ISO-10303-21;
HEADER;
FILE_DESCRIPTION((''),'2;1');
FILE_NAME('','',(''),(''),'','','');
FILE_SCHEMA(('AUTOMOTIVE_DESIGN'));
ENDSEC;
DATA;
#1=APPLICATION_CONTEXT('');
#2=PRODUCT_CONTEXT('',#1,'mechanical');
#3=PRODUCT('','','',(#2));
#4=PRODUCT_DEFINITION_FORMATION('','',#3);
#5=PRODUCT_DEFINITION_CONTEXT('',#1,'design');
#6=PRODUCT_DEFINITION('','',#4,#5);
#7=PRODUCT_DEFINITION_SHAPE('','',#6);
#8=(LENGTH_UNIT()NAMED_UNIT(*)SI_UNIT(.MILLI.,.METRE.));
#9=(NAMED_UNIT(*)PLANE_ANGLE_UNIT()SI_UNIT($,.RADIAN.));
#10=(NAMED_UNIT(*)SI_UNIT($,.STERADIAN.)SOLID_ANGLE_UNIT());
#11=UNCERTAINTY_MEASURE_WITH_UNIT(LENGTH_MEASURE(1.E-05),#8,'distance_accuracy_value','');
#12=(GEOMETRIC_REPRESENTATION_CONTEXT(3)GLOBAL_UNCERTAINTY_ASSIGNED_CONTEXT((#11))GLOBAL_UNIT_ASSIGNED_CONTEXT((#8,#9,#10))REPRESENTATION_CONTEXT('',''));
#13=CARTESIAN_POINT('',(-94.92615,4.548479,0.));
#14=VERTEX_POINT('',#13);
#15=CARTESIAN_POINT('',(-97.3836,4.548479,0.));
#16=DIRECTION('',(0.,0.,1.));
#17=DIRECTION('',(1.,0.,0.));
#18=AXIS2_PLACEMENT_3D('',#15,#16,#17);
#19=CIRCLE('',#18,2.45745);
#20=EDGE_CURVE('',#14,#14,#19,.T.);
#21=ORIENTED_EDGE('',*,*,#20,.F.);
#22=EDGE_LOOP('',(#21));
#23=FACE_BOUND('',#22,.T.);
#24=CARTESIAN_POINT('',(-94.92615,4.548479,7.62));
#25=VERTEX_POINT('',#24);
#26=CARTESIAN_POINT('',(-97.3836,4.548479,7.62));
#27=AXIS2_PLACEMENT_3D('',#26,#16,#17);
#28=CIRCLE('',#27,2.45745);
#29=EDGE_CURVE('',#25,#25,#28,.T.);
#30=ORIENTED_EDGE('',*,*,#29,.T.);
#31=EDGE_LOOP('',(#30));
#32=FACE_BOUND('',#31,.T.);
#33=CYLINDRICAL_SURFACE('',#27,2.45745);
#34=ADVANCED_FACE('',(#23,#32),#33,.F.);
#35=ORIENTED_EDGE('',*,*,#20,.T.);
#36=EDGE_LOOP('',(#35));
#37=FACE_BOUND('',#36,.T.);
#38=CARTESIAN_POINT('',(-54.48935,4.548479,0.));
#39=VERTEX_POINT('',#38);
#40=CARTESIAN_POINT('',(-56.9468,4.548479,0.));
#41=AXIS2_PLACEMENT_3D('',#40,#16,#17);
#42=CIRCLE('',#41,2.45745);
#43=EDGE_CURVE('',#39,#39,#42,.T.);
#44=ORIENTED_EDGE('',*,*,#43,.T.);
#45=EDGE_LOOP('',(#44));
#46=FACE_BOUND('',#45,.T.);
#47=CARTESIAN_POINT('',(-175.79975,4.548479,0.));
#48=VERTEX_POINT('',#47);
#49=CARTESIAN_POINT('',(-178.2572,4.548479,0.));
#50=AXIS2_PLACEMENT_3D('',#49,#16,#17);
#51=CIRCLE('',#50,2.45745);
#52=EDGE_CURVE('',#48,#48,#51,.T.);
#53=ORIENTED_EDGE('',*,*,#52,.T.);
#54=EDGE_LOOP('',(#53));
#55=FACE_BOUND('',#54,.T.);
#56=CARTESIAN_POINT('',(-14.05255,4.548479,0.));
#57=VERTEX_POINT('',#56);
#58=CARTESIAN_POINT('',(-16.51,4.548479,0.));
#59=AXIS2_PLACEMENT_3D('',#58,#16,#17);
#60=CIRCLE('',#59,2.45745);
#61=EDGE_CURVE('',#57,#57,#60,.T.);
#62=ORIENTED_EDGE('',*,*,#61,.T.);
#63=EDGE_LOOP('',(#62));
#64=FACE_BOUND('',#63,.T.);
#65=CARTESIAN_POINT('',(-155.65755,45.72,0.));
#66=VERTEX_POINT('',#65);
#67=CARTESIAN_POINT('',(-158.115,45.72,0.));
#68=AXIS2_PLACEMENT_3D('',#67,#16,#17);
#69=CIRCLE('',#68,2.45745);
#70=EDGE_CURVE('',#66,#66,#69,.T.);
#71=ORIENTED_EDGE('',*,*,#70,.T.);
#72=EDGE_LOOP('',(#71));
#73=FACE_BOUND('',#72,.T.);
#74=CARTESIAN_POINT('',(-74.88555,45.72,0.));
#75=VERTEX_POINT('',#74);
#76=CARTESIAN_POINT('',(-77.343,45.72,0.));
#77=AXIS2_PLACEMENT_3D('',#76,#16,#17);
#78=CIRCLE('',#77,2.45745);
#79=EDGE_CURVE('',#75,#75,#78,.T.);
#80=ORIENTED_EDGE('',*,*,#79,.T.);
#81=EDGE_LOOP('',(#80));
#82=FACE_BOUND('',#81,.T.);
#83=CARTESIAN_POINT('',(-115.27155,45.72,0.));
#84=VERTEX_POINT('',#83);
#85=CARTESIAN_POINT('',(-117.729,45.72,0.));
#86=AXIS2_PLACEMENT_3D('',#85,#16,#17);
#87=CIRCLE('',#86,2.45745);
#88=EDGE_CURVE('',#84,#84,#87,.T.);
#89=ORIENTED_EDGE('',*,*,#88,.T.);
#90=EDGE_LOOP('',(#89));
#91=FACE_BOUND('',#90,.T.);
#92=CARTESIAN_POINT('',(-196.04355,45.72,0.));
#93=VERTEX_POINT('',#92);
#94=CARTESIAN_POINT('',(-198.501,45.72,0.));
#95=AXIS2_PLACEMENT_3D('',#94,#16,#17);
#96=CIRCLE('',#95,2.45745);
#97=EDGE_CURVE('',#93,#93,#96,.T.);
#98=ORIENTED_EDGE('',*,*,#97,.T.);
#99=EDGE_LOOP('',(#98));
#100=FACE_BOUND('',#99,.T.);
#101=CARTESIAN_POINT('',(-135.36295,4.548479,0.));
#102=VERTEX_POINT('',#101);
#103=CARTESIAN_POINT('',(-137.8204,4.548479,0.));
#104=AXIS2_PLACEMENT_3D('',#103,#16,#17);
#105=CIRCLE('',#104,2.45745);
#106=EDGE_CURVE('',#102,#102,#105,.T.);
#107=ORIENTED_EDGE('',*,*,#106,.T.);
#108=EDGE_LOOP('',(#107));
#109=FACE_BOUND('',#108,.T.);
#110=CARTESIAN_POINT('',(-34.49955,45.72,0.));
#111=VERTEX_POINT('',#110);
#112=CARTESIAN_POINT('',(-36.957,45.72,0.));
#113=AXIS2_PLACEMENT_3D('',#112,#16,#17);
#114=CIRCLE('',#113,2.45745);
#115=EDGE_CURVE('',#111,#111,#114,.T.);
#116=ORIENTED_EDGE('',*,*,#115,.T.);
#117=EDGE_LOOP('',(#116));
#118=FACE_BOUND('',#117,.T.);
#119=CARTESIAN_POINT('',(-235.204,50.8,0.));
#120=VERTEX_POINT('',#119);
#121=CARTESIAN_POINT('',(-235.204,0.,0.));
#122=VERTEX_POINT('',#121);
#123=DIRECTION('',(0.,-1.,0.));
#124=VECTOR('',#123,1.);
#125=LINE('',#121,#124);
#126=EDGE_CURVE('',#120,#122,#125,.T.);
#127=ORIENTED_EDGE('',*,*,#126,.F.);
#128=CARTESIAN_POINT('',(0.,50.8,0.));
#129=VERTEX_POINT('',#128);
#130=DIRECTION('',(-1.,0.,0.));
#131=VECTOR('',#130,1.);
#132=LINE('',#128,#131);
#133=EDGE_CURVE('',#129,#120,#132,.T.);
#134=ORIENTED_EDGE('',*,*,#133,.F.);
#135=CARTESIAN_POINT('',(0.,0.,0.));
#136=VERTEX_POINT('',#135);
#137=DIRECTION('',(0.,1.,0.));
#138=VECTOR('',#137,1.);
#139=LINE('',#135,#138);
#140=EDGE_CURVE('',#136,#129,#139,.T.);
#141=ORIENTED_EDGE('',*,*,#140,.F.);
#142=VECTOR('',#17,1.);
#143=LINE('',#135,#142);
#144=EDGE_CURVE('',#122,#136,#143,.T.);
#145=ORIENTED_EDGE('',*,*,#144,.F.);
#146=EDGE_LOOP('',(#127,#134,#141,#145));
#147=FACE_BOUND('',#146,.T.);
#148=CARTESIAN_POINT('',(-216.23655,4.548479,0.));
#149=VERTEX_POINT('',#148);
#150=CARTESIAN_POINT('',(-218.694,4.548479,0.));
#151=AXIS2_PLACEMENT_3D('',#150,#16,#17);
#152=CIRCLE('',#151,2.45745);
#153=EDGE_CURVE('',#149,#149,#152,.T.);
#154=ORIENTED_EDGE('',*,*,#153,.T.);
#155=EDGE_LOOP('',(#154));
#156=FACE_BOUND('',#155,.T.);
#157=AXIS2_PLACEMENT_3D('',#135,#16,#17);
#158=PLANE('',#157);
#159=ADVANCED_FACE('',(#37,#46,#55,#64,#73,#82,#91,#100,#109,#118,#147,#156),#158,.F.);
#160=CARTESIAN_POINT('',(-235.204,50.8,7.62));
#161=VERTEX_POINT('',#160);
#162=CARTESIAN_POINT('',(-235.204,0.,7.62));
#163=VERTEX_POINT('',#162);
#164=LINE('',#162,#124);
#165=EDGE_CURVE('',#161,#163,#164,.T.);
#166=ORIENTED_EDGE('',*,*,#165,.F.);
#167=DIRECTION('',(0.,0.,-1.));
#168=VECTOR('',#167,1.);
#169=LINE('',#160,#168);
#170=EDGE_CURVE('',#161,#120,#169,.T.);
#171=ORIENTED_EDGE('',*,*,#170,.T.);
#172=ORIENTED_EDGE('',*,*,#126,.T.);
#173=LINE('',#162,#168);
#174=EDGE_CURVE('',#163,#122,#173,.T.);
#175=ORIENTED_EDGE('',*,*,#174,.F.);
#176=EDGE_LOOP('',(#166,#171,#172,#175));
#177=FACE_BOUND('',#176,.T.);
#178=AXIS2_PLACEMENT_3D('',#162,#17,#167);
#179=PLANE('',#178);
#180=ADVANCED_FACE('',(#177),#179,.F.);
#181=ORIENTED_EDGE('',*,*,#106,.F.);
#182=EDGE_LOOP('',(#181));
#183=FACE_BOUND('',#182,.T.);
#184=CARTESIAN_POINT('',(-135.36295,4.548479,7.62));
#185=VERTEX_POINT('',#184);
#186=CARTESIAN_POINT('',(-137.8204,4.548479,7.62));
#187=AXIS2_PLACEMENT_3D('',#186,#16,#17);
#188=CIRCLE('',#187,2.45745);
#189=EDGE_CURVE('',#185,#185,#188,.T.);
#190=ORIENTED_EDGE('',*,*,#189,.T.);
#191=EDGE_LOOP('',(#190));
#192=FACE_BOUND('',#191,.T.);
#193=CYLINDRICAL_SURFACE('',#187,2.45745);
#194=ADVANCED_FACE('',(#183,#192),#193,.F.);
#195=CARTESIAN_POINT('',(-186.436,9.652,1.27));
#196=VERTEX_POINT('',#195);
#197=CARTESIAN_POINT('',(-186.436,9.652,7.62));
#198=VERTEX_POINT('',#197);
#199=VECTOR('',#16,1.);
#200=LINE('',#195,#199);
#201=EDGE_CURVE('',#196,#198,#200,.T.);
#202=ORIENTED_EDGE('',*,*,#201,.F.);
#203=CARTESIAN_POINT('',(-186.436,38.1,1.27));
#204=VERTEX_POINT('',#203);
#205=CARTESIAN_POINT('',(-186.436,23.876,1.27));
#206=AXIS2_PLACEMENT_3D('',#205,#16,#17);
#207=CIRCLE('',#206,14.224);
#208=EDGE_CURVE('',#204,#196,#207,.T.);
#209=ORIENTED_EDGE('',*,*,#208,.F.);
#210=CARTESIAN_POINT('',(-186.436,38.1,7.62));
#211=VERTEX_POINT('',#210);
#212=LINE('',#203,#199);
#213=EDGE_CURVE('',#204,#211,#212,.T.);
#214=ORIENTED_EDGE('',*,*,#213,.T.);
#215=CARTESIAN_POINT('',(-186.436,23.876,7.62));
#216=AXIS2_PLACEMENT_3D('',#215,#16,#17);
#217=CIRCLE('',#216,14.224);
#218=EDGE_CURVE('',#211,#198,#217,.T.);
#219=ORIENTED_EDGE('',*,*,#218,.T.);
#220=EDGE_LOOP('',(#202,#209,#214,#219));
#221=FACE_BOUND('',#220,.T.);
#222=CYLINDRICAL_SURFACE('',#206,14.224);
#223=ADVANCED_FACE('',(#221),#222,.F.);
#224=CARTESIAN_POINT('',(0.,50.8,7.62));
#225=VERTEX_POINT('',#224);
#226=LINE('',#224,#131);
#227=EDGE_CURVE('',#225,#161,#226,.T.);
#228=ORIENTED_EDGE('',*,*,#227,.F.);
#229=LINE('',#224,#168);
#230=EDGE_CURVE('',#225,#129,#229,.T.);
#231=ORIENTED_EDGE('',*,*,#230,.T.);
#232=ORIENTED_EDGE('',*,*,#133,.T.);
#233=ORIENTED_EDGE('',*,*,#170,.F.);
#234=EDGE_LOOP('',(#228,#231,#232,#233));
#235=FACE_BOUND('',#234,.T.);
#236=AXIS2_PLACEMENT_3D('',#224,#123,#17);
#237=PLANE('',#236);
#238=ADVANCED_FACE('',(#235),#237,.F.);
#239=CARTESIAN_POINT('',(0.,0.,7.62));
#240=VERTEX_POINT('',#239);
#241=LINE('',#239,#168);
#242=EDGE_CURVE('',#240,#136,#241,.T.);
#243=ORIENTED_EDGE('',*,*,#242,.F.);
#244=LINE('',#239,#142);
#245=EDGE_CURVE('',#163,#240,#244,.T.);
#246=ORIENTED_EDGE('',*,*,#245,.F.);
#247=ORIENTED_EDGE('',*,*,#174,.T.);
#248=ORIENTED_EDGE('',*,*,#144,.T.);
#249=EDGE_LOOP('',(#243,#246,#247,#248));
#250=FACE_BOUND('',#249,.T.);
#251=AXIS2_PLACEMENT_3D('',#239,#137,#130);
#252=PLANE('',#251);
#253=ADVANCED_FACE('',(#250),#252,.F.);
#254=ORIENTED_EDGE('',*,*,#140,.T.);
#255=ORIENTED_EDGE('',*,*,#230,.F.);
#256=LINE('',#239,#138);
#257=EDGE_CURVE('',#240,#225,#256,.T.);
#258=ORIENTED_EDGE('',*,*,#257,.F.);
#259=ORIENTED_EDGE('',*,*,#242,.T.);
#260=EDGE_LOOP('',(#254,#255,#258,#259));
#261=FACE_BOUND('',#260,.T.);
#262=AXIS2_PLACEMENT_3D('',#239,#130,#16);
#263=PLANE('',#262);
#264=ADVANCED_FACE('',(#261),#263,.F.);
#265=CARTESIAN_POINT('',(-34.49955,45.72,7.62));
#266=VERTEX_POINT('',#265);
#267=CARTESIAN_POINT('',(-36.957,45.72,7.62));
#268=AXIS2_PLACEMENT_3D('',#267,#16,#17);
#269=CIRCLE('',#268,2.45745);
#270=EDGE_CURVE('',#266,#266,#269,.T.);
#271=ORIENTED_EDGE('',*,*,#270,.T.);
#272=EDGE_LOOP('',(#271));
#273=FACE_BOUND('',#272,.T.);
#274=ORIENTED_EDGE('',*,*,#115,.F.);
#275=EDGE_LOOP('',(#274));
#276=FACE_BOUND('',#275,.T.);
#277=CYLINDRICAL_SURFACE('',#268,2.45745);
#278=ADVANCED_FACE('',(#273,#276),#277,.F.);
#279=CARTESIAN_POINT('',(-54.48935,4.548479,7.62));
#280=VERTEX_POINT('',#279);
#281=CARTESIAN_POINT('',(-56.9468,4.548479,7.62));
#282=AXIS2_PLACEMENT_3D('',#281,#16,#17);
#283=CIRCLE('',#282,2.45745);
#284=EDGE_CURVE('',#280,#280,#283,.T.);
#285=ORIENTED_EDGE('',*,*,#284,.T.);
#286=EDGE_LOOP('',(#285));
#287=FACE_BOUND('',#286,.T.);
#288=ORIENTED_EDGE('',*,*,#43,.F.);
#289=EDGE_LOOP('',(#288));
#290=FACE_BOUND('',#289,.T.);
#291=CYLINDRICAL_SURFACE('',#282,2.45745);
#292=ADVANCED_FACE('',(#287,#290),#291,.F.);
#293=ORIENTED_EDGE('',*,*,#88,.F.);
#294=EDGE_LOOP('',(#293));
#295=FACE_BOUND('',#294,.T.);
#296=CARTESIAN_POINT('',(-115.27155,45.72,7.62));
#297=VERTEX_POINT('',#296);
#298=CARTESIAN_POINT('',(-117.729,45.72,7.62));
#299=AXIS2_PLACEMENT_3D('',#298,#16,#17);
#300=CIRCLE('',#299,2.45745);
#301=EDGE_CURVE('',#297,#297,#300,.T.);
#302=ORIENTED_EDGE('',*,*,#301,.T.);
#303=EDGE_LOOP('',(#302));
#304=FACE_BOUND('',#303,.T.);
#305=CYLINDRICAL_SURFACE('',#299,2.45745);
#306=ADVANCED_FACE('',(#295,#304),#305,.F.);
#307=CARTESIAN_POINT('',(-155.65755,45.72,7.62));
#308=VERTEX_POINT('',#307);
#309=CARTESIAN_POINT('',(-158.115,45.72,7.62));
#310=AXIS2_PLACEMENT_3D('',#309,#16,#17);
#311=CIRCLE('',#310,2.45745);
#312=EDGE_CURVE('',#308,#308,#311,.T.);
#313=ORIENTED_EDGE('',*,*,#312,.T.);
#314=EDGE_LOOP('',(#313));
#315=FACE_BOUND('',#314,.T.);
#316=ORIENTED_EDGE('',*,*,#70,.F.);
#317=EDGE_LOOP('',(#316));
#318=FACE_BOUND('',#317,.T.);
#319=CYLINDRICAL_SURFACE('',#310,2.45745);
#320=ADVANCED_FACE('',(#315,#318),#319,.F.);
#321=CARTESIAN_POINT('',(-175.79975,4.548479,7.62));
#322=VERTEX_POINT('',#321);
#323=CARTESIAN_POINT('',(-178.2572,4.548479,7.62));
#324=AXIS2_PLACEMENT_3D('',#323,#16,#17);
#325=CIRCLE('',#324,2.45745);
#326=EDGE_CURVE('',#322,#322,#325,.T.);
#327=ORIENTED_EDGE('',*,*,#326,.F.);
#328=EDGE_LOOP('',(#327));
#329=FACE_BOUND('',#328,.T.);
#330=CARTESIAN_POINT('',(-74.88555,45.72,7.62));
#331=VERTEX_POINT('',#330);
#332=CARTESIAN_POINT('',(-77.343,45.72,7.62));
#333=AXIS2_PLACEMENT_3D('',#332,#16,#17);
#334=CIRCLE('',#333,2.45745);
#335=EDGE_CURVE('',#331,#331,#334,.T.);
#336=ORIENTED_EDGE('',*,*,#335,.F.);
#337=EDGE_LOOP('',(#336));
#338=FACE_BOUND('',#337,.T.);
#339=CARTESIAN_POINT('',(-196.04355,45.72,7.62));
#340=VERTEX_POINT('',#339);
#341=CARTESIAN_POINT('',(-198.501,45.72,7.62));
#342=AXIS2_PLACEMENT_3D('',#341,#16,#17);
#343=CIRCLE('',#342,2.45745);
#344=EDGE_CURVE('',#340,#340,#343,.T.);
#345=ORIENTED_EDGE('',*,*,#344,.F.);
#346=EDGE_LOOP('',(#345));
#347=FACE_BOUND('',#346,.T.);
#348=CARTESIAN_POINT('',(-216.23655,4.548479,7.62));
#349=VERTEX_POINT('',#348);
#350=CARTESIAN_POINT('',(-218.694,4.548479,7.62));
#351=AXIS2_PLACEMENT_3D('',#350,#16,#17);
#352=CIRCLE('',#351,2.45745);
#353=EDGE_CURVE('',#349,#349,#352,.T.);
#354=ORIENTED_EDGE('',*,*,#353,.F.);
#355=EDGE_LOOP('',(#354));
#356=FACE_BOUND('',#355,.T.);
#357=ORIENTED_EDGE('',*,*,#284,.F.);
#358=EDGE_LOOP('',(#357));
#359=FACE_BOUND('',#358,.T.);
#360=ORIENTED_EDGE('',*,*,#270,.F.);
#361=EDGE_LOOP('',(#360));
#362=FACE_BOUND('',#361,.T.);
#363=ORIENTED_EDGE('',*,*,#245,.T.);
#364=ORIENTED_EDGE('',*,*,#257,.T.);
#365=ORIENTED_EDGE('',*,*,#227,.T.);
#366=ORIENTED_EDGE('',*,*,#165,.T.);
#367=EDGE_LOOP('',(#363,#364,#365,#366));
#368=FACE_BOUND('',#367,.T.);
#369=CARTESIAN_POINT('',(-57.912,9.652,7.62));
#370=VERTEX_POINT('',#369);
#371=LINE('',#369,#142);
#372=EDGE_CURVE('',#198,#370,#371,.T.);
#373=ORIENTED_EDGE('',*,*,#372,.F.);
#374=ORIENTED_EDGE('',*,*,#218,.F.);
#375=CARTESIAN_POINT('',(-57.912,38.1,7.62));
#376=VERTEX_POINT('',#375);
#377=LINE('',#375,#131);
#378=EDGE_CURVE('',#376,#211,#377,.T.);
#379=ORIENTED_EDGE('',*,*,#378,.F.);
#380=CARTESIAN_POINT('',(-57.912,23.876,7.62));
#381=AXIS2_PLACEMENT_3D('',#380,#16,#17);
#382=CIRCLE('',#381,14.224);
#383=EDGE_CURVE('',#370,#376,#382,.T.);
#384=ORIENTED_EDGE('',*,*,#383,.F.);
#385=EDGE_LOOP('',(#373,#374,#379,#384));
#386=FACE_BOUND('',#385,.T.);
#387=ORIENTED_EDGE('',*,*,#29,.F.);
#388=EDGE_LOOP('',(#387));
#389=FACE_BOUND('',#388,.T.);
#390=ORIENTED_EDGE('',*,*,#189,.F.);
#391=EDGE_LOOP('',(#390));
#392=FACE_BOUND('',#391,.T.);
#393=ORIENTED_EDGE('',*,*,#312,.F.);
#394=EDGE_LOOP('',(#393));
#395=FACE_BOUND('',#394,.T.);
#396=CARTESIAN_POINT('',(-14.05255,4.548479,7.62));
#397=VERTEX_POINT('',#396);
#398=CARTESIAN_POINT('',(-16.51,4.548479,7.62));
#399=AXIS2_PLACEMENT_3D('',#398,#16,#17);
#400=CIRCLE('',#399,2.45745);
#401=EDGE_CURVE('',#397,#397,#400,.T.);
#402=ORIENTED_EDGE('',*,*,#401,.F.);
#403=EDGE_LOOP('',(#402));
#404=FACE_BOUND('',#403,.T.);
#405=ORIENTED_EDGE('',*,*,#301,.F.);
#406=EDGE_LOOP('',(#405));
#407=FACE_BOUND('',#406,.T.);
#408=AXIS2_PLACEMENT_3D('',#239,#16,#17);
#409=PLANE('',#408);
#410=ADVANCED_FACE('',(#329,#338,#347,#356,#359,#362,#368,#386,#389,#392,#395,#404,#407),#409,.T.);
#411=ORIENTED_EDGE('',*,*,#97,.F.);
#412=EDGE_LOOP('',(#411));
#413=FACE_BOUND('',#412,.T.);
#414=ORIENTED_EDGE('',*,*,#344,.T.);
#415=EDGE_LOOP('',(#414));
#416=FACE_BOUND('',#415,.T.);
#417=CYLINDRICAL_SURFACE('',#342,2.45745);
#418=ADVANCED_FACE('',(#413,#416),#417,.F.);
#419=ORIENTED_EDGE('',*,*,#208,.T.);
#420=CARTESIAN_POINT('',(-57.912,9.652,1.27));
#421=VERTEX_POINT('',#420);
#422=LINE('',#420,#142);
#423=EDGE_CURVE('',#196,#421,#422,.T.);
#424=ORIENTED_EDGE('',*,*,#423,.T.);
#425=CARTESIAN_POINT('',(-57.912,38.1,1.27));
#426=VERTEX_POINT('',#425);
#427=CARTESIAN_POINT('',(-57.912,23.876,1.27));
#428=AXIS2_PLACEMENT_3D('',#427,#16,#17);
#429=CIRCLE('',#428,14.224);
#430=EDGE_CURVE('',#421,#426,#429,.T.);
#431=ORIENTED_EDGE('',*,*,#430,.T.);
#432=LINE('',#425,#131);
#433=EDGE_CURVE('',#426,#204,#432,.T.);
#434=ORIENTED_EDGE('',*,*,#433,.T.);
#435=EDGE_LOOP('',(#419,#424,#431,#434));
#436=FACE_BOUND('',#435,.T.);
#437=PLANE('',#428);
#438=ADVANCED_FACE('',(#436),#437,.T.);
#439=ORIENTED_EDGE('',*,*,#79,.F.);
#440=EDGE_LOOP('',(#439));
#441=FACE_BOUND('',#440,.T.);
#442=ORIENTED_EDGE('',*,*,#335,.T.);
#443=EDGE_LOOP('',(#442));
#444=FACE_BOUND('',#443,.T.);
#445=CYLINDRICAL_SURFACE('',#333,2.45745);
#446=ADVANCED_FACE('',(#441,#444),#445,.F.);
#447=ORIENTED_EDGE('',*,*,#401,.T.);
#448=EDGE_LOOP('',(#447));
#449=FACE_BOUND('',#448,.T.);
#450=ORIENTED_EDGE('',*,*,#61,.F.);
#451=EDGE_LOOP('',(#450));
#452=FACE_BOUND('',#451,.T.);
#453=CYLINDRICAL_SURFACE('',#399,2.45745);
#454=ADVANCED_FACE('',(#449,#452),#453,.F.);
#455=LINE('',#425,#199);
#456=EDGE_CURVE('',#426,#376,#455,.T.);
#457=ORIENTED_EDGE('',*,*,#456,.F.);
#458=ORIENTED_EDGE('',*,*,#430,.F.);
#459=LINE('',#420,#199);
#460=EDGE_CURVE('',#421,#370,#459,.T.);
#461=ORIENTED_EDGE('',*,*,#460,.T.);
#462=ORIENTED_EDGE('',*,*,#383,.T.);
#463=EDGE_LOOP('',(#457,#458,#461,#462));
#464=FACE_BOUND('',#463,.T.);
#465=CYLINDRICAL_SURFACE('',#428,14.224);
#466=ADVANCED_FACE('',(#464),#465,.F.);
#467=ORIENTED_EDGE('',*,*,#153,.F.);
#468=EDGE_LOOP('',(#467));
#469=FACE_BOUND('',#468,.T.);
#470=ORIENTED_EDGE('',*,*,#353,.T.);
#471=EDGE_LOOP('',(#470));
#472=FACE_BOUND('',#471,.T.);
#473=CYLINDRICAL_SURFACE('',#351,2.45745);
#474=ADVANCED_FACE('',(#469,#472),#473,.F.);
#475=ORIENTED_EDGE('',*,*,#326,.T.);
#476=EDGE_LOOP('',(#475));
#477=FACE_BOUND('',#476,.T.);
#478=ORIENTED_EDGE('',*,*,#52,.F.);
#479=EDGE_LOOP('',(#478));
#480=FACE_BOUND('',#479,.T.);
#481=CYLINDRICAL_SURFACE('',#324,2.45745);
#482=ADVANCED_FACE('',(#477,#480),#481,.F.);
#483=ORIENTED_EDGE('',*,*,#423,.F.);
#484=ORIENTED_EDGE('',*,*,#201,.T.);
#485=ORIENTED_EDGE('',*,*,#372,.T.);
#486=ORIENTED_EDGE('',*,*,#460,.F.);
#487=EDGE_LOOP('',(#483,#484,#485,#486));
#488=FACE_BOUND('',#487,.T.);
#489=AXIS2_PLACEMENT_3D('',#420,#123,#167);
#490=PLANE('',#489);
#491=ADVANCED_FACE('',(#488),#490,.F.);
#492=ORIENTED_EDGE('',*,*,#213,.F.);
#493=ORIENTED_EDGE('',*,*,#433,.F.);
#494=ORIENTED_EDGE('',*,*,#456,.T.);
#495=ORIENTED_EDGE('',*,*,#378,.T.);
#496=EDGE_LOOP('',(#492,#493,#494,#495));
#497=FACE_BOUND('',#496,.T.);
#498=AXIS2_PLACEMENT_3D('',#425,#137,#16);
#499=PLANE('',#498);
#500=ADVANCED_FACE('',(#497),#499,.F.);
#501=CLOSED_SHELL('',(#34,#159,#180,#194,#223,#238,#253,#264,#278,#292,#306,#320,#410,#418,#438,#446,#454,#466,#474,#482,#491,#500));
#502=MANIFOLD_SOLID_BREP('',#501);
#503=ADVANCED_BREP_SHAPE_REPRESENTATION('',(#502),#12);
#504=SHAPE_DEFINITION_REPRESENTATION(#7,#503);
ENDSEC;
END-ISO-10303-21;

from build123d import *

# Parameters (mm, degrees)
SKETCH5_W                    = 235.204
SKETCH5_H                    = 50.8
BOSS_EXTRUDE3_DEPTH          = 7.62
CUT_EXTRUDE3_DEPTH           = 6.35
F_10_0_1935_DIAMETER_HOLE1_D = 4.9149


with BuildPart() as part:
    # Sketch5 → Boss-Extrude3 (new body)
    with BuildSketch(Plane.XY):
        with Locations((-117.602, 25.4)):
            Rectangle(SKETCH5_W, SKETCH5_H)
    extrude(amount=BOSS_EXTRUDE3_DEPTH)

    # Sketch6 → Cut-Extrude3 (cut)
    with BuildSketch(Plane.XY.offset(7.62)):
        with BuildLine():
            Line((-57.912, 9.652), (-186.436, 9.652))
            ThreePointArc((-186.436, 9.652), (-200.66, 23.876), (-186.436, 38.1))
            Line((-186.436, 38.1), (-57.912, 38.1))
            ThreePointArc((-57.912, 38.1), (-43.688, 23.876), (-57.912, 9.652))
        make_face()
    extrude(amount=-CUT_EXTRUDE3_DEPTH, mode=Mode.SUBTRACT)

    # #10 (0.1935) Diameter Hole1 (through all)
    with Locations(Plane(origin=(-198.501, 45.72, 7.62), x_dir=(1, 0, 0), z_dir=(0, 0, 1))):
        with Locations((0, 0), (40.386, 0), (80.772, 0), (121.158, 0), (161.544, 0), (-20.193, -41.171520692), (20.2438, -41.171520692), (60.6806, -41.171520692), (101.1174, -41.171520692), (141.5542, -41.171520692), (181.991, -41.171520692)):
            Hole(F_10_0_1935_DIAMETER_HOLE1_D / 2)


solid = part.part
